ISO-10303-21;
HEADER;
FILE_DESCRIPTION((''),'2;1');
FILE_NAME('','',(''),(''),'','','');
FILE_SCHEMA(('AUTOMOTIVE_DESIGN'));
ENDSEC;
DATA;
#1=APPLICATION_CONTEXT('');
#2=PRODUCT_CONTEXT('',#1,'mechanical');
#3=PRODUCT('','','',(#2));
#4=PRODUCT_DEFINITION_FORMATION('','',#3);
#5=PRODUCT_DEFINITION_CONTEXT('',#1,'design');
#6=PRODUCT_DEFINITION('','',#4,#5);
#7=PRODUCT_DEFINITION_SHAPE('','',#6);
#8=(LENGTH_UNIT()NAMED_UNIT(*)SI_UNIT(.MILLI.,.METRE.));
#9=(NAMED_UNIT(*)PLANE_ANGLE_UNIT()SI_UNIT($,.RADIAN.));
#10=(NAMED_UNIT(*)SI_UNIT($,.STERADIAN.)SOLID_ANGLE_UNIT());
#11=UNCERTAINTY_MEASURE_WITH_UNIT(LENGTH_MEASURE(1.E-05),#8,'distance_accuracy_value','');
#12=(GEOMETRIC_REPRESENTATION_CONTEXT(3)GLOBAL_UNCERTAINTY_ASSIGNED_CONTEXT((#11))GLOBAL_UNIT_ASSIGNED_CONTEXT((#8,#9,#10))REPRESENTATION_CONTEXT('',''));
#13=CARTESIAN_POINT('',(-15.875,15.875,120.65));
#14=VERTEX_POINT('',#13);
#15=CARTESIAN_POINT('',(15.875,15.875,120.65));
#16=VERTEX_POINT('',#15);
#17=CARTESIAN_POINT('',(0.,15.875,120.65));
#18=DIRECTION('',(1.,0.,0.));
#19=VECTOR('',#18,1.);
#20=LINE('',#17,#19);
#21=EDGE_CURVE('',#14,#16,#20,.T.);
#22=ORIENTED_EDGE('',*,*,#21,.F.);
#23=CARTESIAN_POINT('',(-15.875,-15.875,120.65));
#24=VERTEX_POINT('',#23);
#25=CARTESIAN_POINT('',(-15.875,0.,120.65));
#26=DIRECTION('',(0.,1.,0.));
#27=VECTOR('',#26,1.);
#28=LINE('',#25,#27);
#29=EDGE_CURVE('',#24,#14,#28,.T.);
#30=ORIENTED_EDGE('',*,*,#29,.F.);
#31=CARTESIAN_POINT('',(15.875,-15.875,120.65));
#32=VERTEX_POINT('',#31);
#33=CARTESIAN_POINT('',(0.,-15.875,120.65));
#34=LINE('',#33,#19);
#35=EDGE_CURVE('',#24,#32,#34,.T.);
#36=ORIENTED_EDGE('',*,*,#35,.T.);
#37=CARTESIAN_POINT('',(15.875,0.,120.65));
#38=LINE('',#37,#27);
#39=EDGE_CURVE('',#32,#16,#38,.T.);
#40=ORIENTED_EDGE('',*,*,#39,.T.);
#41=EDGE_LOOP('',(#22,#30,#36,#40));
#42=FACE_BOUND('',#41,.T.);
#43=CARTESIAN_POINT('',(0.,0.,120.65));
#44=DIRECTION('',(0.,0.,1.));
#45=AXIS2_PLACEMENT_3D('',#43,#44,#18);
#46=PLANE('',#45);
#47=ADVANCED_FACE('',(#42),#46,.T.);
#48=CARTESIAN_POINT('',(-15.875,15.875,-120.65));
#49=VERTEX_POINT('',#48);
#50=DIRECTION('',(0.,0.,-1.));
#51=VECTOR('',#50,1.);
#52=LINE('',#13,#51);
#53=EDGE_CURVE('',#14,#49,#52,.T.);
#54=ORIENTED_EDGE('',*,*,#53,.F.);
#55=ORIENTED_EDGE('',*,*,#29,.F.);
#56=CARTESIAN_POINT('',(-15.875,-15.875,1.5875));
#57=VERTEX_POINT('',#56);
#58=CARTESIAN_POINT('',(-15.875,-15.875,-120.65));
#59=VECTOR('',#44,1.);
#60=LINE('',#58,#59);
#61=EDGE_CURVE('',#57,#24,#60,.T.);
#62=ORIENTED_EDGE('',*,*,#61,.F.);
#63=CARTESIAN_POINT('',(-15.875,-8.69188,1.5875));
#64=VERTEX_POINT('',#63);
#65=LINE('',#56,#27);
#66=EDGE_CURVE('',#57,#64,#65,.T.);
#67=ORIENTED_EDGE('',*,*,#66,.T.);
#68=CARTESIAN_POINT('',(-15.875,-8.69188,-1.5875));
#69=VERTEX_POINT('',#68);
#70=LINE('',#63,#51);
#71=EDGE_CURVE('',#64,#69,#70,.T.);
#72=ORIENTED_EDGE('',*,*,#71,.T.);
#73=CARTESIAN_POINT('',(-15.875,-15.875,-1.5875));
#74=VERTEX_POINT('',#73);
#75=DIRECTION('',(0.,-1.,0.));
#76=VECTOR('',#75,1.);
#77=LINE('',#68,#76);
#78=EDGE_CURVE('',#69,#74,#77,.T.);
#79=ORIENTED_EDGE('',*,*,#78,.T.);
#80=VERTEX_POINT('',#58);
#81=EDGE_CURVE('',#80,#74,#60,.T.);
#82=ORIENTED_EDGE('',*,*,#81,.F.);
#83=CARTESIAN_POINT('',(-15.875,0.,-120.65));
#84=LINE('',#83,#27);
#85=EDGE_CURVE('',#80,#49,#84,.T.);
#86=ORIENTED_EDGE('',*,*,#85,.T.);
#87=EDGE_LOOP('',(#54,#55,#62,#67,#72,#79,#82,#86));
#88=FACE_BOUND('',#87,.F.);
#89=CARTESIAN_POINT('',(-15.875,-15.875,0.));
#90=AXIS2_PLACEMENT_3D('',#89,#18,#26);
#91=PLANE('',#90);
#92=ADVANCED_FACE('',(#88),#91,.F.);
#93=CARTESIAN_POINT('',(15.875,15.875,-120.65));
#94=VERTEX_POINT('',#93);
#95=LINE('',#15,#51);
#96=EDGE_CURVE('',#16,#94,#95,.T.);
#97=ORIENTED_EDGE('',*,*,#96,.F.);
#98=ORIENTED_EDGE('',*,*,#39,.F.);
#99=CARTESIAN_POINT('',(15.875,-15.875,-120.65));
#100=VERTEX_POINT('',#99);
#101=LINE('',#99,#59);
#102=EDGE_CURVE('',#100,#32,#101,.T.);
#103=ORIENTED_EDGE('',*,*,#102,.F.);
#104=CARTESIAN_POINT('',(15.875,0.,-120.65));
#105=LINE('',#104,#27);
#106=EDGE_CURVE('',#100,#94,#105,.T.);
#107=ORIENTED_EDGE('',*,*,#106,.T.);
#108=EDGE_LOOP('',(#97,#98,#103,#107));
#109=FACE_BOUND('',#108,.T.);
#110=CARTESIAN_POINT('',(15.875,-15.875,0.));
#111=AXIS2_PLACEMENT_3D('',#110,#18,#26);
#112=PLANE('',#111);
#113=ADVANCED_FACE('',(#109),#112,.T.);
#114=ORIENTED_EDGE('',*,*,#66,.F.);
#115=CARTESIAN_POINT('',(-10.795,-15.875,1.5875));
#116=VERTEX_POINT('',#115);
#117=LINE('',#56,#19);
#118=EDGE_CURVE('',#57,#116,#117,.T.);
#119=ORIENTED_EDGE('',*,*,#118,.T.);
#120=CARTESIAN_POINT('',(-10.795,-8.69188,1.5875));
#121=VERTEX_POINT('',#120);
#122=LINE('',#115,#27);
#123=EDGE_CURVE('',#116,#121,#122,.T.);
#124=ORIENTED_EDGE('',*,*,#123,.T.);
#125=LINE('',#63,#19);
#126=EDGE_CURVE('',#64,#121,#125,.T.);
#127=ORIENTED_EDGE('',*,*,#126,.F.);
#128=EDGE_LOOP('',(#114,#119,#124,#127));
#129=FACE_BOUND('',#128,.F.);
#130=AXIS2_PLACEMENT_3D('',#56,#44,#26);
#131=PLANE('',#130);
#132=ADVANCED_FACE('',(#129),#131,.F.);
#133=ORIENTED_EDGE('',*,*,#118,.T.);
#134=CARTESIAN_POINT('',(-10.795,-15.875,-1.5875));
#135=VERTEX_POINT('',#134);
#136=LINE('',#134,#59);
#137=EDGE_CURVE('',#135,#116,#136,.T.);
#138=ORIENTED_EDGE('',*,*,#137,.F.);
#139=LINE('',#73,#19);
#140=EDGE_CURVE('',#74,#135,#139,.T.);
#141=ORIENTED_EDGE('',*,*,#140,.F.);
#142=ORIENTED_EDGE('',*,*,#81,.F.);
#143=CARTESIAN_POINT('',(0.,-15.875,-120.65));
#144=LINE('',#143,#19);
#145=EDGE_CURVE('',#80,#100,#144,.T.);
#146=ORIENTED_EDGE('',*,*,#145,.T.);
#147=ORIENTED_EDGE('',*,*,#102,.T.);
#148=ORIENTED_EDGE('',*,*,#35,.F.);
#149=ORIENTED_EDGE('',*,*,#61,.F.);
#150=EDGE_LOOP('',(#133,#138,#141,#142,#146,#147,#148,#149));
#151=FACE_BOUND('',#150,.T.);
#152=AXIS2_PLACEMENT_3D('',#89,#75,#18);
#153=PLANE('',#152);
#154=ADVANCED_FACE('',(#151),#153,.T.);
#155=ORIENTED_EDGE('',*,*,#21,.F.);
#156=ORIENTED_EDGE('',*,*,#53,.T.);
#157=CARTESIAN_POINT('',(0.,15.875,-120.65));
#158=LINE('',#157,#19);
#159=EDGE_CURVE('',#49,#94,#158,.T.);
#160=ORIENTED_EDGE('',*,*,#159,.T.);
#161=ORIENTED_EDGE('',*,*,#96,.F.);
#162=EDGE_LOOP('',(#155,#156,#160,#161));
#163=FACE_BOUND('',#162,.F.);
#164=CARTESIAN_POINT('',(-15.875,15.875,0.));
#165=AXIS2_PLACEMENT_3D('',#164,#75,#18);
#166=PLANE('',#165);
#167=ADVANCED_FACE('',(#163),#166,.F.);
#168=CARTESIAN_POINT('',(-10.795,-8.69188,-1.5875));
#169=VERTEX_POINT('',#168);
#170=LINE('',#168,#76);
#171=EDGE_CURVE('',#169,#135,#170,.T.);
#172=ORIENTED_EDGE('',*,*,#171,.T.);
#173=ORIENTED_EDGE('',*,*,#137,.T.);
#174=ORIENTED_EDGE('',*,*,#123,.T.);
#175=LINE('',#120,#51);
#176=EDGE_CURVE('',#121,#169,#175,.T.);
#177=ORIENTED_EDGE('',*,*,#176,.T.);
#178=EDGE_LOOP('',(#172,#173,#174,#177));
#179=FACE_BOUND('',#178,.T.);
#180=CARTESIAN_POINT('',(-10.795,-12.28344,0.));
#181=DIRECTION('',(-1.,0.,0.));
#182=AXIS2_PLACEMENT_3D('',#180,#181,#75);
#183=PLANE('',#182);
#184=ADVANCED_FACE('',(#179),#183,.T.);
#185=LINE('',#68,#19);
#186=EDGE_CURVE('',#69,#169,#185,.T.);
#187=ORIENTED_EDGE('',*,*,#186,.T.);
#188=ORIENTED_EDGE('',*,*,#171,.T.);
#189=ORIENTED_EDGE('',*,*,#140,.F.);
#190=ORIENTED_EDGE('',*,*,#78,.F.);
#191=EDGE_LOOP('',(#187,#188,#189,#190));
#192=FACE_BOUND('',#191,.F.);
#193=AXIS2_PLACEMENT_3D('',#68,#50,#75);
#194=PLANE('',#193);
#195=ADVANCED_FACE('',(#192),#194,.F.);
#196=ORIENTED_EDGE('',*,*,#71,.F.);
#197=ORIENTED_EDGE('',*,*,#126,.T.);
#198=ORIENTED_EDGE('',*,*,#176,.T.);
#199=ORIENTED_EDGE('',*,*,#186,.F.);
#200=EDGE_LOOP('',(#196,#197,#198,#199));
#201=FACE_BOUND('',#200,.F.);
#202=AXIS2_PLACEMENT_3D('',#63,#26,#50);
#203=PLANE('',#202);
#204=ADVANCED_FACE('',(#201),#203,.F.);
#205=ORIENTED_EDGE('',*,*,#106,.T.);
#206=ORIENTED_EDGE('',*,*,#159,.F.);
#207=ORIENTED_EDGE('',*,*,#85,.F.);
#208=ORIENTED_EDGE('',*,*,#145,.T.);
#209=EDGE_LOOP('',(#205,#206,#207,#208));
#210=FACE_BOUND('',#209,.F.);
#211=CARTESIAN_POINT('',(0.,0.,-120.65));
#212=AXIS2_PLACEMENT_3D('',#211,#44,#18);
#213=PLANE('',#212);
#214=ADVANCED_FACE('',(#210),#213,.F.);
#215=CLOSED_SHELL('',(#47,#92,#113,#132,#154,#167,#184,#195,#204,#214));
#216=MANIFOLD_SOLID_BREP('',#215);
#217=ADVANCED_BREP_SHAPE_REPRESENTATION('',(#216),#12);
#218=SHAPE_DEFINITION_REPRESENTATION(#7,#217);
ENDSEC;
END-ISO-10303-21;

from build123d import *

# Parameters (mm, degrees)
F0_W     = 31.75
F0_H     = 31.75
F1_DEPTH = 120.65
F3_DEPTH = 5.08


with BuildPart() as f1:
    # F0 (on Top) → F1 (new body, symmetric)
    with BuildSketch(Plane.XY):
        Rectangle(F0_W, F0_H)
    extrude(amount=F1_DEPTH, both=True)

    # F2 (on face) → F3 (cut)
    with BuildSketch(Plane(origin=(-15.875, 0, 0), x_dir=(0, -1, 0), z_dir=(-1, 0, 0))):
        Polygon((15.875, 0), (15.875, 1.5875), (8.69188, 1.5875), (8.69188, 0), (8.69188, -1.5875), (15.875, -1.5875), align=None)
    extrude(amount=-F3_DEPTH, mode=Mode.SUBTRACT)


solid = f1.part
